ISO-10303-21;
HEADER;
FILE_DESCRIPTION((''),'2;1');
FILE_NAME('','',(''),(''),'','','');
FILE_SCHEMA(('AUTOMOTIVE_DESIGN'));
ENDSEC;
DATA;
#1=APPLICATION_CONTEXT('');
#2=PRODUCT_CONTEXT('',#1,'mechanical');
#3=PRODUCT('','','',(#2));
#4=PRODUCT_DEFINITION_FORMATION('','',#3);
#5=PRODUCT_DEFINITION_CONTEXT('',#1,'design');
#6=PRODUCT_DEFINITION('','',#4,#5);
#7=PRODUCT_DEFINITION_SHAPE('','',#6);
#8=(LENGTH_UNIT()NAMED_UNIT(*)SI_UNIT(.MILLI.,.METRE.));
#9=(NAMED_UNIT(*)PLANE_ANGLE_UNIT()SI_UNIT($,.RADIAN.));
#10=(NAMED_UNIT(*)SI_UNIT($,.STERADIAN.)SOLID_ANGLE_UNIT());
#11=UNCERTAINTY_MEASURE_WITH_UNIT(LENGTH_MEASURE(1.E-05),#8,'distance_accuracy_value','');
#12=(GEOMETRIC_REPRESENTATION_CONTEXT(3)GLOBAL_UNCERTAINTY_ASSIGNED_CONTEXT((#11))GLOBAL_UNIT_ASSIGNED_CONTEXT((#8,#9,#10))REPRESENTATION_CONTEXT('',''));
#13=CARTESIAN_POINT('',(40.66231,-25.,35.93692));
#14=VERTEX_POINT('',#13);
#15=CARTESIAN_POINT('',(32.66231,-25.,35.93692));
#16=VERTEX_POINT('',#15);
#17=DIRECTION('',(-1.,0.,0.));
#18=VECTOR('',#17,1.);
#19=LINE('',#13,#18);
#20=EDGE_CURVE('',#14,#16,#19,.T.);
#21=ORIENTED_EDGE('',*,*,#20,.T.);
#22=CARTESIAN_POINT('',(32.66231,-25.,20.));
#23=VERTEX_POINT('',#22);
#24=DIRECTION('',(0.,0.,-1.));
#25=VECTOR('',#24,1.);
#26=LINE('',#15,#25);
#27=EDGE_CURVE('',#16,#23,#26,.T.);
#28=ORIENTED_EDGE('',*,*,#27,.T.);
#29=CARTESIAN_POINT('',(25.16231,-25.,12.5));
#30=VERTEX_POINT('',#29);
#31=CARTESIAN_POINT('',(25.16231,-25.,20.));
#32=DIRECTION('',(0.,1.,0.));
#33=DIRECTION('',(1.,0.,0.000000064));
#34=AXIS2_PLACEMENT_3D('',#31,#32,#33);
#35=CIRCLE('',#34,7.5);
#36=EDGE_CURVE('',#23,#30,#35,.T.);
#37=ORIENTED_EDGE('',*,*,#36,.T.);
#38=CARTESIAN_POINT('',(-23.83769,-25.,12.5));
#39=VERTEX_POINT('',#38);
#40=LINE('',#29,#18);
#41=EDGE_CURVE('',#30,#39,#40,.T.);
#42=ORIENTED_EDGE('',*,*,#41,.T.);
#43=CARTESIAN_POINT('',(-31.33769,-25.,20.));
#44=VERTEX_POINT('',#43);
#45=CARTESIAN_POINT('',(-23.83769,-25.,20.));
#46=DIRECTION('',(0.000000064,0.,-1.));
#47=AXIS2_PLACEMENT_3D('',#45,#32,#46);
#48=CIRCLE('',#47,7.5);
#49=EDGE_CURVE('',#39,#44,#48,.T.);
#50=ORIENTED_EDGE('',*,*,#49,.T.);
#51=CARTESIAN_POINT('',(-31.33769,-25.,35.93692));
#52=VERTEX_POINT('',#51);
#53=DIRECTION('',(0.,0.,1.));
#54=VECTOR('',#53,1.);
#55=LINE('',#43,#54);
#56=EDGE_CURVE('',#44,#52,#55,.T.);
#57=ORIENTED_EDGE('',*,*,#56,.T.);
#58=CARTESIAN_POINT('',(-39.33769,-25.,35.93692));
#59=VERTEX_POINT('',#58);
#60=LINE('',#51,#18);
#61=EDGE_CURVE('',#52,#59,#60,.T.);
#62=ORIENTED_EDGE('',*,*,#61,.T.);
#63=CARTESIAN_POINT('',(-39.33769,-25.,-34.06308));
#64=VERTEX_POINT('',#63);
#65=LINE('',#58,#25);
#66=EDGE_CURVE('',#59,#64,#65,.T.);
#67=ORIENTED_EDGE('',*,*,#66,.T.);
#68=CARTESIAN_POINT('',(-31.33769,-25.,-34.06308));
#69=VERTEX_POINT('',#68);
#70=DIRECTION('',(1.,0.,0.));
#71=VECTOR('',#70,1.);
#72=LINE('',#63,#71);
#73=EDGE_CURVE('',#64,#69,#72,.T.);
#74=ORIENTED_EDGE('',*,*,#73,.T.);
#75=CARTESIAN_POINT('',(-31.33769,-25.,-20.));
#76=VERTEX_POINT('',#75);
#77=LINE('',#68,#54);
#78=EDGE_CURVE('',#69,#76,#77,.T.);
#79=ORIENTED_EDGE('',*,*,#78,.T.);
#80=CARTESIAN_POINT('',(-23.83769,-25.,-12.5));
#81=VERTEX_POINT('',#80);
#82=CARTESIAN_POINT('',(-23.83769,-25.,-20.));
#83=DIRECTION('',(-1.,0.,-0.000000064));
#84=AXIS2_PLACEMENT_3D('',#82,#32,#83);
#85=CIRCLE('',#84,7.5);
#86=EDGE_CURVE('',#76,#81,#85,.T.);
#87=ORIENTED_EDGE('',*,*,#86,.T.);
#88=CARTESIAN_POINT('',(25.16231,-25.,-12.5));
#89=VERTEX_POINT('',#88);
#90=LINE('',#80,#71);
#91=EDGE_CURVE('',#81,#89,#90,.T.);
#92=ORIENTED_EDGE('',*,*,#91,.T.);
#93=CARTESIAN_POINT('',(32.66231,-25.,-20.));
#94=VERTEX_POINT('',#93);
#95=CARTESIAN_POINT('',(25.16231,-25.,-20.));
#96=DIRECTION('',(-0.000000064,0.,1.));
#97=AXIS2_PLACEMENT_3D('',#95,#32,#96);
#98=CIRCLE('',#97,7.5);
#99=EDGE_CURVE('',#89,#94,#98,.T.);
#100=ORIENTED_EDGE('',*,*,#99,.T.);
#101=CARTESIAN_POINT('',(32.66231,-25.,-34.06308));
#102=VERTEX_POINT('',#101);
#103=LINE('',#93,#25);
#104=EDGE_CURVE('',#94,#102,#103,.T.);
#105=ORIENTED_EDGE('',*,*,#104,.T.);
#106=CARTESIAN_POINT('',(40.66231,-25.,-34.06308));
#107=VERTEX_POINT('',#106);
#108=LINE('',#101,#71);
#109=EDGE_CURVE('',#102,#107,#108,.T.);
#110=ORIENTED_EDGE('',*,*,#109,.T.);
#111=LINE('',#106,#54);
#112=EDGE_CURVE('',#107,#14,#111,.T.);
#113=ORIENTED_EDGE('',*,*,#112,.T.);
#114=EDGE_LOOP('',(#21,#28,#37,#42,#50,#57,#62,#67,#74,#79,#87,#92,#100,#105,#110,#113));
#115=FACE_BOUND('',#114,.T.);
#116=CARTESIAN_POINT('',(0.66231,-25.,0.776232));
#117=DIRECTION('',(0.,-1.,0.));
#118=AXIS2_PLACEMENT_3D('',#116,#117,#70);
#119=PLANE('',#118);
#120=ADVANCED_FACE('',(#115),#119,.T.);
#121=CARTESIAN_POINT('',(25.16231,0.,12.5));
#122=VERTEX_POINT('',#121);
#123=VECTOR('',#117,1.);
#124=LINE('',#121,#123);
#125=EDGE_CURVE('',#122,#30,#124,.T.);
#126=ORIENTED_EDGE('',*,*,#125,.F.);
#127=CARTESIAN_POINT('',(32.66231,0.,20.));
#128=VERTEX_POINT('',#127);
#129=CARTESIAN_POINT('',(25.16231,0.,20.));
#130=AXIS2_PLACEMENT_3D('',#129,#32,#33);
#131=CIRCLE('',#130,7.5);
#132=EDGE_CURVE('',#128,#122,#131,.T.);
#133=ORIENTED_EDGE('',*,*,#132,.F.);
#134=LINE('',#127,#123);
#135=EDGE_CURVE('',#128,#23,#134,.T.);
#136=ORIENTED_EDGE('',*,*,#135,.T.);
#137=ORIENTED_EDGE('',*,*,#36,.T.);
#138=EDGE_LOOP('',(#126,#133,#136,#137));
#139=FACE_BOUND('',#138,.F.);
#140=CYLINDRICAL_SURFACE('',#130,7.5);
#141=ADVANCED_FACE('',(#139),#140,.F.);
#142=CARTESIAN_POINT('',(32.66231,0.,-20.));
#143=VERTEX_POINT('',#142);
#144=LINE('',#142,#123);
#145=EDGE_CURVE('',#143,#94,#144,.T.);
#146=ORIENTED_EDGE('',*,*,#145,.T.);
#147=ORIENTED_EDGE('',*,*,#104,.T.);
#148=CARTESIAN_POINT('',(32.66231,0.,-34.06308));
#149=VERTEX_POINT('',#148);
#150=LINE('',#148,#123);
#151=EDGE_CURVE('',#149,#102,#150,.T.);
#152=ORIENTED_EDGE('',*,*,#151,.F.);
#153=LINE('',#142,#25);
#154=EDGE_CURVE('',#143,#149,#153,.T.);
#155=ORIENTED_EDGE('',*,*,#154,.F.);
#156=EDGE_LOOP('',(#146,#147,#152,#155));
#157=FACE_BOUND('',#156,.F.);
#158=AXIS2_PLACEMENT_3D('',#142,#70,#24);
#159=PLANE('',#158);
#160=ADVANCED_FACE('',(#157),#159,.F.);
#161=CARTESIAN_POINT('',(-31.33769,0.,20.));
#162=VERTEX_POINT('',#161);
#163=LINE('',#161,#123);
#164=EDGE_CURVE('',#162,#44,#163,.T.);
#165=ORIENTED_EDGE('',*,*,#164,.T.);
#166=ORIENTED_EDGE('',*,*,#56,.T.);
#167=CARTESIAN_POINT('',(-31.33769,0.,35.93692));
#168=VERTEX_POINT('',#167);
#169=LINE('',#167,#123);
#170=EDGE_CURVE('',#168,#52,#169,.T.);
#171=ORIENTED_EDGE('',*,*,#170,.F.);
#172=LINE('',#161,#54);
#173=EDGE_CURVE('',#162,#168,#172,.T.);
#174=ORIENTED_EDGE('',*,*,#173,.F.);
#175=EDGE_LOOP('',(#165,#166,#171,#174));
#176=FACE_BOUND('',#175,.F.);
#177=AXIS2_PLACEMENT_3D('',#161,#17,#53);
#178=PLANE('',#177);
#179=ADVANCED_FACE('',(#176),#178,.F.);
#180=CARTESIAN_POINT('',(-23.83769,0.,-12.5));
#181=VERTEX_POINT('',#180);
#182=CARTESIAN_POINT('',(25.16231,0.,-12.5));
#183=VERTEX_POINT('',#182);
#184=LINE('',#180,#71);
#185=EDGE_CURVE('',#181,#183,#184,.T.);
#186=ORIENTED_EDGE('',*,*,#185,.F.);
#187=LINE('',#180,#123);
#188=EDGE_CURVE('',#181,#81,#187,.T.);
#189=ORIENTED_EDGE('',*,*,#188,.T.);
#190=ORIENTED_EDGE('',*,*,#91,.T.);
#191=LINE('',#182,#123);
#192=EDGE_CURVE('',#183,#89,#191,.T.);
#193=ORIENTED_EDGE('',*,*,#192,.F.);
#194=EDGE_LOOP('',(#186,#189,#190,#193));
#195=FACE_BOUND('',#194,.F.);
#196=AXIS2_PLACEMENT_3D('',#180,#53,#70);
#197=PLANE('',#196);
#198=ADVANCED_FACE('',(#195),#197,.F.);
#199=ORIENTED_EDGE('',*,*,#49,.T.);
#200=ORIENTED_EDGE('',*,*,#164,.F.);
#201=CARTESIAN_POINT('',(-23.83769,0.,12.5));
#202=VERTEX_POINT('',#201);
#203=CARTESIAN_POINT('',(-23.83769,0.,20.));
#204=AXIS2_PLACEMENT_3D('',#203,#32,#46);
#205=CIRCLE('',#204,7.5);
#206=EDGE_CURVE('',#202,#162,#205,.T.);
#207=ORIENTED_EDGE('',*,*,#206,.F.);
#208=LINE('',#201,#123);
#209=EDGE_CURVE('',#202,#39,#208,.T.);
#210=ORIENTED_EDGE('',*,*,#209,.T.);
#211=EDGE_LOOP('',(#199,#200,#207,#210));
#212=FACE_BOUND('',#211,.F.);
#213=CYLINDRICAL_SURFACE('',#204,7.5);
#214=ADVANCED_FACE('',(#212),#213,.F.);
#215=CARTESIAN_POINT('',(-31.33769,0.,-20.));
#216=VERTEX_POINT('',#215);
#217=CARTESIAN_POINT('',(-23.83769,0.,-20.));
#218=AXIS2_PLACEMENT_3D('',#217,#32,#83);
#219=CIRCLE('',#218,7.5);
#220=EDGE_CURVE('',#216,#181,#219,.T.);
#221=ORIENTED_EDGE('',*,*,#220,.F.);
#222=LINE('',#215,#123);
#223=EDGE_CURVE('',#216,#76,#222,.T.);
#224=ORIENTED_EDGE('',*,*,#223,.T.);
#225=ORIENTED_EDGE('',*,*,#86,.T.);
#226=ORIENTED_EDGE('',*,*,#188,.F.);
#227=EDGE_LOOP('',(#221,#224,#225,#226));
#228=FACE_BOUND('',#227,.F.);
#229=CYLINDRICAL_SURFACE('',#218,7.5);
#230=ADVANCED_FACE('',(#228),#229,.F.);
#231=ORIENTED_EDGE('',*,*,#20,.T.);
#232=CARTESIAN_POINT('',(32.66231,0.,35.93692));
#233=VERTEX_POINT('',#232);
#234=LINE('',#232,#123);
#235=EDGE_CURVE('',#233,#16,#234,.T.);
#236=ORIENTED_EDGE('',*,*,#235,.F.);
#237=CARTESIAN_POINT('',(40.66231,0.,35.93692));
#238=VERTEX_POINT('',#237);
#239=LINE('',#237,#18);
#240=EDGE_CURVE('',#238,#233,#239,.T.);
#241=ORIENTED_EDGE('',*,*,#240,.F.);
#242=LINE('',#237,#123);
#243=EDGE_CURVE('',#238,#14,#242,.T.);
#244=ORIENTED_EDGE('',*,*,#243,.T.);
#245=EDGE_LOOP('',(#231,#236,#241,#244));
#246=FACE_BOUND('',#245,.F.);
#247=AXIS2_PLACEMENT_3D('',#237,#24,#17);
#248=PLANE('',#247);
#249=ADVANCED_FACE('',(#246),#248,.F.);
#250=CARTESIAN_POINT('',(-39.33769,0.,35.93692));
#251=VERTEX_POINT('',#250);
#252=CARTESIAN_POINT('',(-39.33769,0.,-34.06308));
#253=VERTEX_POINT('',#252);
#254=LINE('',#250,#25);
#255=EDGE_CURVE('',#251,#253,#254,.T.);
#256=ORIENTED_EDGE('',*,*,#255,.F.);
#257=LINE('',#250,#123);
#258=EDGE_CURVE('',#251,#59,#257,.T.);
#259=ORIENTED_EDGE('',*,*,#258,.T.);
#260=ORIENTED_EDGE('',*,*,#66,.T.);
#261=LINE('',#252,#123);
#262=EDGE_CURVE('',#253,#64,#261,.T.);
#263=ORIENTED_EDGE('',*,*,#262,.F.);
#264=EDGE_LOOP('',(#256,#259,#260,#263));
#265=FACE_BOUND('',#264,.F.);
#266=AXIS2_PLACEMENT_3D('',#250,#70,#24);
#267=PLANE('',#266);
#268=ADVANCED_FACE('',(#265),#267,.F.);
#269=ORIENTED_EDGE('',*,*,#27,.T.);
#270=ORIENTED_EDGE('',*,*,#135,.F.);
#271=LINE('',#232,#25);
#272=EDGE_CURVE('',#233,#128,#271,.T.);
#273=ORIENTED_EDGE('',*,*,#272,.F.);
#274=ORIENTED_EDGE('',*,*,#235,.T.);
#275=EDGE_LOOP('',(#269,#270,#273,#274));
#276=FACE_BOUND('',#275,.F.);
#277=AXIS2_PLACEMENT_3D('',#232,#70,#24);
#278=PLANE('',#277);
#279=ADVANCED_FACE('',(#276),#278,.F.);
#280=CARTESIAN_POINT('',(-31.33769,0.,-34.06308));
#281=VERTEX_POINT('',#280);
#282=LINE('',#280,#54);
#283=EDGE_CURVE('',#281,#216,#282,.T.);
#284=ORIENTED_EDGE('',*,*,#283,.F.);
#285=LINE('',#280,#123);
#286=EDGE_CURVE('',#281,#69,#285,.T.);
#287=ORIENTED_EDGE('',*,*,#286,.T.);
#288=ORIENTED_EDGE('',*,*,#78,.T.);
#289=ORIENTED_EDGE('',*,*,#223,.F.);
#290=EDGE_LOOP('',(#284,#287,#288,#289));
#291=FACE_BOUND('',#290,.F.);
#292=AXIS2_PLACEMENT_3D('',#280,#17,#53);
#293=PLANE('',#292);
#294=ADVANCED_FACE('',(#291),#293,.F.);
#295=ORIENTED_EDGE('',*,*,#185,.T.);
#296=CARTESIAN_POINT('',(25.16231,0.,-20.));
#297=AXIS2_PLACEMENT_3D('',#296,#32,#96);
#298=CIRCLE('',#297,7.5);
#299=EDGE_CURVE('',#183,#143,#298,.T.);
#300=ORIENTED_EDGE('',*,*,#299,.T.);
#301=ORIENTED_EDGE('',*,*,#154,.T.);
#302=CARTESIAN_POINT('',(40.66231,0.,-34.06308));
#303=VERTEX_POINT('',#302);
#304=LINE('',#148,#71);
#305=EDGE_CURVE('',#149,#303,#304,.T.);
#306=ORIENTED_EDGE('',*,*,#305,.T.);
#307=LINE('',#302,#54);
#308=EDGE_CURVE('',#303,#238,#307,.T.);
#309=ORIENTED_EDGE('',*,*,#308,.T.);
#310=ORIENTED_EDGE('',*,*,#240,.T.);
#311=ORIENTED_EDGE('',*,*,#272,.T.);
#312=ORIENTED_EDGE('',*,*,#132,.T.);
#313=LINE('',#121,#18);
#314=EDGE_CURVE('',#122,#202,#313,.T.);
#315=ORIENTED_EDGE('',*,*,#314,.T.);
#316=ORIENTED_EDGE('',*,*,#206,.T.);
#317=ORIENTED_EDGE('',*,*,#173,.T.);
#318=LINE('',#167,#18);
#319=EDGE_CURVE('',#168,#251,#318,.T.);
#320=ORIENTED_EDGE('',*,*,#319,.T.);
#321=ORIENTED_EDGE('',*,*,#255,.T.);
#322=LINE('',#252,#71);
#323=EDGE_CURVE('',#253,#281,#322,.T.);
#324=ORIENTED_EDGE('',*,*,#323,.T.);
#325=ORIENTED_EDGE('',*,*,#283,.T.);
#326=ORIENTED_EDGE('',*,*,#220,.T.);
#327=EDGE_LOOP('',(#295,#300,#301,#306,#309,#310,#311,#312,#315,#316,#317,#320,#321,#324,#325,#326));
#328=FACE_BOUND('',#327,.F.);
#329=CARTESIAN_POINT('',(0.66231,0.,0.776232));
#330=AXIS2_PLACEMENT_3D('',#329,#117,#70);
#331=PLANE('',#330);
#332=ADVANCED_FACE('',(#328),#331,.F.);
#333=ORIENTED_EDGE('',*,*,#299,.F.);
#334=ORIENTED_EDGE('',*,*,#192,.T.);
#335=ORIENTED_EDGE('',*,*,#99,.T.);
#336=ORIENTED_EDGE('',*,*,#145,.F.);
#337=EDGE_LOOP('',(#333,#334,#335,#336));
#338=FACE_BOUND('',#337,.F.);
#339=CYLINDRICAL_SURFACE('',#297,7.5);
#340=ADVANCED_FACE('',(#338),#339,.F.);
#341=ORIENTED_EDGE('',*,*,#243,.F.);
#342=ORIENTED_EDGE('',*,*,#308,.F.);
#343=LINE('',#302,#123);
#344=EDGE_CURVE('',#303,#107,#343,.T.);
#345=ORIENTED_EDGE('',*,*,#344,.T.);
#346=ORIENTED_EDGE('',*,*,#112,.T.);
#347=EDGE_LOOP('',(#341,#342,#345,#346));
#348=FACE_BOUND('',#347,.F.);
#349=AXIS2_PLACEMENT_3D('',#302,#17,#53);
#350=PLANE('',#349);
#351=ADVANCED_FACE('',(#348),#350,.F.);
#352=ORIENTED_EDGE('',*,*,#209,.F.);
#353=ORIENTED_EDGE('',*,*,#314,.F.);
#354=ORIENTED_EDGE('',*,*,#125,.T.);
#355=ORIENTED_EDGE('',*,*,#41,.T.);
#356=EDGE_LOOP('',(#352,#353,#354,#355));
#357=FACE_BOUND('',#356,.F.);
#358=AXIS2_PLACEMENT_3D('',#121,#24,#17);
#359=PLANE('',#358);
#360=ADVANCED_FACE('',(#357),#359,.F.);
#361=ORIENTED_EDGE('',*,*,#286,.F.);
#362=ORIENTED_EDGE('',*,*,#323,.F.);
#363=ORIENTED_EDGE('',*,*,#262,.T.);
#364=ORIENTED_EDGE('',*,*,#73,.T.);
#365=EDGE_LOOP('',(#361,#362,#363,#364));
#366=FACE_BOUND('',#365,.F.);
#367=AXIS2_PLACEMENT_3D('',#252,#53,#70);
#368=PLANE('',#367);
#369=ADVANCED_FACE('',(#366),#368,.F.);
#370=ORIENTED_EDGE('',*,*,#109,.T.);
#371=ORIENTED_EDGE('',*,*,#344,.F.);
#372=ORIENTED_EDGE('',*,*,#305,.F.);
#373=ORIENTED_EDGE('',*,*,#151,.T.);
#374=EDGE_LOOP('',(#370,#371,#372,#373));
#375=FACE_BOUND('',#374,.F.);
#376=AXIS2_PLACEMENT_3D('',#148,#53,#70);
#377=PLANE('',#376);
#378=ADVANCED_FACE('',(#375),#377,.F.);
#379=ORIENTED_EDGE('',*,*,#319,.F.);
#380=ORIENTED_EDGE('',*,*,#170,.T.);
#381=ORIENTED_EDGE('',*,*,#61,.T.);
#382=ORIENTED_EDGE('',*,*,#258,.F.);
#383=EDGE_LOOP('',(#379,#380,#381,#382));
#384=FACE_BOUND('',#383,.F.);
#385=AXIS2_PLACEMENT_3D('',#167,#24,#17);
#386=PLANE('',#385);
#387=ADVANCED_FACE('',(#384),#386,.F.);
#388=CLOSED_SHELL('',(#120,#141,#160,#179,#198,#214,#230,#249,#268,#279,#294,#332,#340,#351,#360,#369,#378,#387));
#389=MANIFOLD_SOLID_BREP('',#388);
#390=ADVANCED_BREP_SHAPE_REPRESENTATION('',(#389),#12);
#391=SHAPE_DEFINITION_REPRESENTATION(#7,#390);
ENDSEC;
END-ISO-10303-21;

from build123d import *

# Parameters (mm, degrees)
F1_DEPTH = 25


with BuildPart() as f1:
    # F0 (on Front) → F1 (new body)
    with BuildSketch(Plane.XZ):
        with BuildLine():
            Line((-31.33769, 35.93692), (-39.33769, 35.93692))
            Line((-39.33769, 35.93692), (-39.33769, -34.06308))
            Line((-39.33769, -34.06308), (-31.33769, -34.06308))
            Line((-31.33769, -34.06308), (-31.33769, -20))
            ThreePointArc((-31.33769, -20), (-29.140991, -14.696699), (-23.83769, -12.5))
            Line((-23.83769, -12.5), (25.16231, -12.5))
            ThreePointArc((25.16231, -12.5), (30.465611, -14.696699), (32.66231, -20))
            Line((32.66231, -20), (32.66231, -34.06308))
            Line((32.66231, -34.06308), (40.66231, -34.06308))
            Line((40.66231, -34.06308), (40.66231, 35.93692))
            Line((40.66231, 35.93692), (32.66231, 35.93692))
            Line((32.66231, 35.93692), (32.66231, 20))
            ThreePointArc((32.66231, 20), (30.465611, 14.696699), (25.16231, 12.5))
            Line((25.16231, 12.5), (-23.83769, 12.5))
            ThreePointArc((-23.83769, 12.5), (-29.140991, 14.696699), (-31.33769, 20))
            Line((-31.33769, 20), (-31.33769, 35.93692))
        make_face()
    extrude(amount=F1_DEPTH)


solid = f1.part
